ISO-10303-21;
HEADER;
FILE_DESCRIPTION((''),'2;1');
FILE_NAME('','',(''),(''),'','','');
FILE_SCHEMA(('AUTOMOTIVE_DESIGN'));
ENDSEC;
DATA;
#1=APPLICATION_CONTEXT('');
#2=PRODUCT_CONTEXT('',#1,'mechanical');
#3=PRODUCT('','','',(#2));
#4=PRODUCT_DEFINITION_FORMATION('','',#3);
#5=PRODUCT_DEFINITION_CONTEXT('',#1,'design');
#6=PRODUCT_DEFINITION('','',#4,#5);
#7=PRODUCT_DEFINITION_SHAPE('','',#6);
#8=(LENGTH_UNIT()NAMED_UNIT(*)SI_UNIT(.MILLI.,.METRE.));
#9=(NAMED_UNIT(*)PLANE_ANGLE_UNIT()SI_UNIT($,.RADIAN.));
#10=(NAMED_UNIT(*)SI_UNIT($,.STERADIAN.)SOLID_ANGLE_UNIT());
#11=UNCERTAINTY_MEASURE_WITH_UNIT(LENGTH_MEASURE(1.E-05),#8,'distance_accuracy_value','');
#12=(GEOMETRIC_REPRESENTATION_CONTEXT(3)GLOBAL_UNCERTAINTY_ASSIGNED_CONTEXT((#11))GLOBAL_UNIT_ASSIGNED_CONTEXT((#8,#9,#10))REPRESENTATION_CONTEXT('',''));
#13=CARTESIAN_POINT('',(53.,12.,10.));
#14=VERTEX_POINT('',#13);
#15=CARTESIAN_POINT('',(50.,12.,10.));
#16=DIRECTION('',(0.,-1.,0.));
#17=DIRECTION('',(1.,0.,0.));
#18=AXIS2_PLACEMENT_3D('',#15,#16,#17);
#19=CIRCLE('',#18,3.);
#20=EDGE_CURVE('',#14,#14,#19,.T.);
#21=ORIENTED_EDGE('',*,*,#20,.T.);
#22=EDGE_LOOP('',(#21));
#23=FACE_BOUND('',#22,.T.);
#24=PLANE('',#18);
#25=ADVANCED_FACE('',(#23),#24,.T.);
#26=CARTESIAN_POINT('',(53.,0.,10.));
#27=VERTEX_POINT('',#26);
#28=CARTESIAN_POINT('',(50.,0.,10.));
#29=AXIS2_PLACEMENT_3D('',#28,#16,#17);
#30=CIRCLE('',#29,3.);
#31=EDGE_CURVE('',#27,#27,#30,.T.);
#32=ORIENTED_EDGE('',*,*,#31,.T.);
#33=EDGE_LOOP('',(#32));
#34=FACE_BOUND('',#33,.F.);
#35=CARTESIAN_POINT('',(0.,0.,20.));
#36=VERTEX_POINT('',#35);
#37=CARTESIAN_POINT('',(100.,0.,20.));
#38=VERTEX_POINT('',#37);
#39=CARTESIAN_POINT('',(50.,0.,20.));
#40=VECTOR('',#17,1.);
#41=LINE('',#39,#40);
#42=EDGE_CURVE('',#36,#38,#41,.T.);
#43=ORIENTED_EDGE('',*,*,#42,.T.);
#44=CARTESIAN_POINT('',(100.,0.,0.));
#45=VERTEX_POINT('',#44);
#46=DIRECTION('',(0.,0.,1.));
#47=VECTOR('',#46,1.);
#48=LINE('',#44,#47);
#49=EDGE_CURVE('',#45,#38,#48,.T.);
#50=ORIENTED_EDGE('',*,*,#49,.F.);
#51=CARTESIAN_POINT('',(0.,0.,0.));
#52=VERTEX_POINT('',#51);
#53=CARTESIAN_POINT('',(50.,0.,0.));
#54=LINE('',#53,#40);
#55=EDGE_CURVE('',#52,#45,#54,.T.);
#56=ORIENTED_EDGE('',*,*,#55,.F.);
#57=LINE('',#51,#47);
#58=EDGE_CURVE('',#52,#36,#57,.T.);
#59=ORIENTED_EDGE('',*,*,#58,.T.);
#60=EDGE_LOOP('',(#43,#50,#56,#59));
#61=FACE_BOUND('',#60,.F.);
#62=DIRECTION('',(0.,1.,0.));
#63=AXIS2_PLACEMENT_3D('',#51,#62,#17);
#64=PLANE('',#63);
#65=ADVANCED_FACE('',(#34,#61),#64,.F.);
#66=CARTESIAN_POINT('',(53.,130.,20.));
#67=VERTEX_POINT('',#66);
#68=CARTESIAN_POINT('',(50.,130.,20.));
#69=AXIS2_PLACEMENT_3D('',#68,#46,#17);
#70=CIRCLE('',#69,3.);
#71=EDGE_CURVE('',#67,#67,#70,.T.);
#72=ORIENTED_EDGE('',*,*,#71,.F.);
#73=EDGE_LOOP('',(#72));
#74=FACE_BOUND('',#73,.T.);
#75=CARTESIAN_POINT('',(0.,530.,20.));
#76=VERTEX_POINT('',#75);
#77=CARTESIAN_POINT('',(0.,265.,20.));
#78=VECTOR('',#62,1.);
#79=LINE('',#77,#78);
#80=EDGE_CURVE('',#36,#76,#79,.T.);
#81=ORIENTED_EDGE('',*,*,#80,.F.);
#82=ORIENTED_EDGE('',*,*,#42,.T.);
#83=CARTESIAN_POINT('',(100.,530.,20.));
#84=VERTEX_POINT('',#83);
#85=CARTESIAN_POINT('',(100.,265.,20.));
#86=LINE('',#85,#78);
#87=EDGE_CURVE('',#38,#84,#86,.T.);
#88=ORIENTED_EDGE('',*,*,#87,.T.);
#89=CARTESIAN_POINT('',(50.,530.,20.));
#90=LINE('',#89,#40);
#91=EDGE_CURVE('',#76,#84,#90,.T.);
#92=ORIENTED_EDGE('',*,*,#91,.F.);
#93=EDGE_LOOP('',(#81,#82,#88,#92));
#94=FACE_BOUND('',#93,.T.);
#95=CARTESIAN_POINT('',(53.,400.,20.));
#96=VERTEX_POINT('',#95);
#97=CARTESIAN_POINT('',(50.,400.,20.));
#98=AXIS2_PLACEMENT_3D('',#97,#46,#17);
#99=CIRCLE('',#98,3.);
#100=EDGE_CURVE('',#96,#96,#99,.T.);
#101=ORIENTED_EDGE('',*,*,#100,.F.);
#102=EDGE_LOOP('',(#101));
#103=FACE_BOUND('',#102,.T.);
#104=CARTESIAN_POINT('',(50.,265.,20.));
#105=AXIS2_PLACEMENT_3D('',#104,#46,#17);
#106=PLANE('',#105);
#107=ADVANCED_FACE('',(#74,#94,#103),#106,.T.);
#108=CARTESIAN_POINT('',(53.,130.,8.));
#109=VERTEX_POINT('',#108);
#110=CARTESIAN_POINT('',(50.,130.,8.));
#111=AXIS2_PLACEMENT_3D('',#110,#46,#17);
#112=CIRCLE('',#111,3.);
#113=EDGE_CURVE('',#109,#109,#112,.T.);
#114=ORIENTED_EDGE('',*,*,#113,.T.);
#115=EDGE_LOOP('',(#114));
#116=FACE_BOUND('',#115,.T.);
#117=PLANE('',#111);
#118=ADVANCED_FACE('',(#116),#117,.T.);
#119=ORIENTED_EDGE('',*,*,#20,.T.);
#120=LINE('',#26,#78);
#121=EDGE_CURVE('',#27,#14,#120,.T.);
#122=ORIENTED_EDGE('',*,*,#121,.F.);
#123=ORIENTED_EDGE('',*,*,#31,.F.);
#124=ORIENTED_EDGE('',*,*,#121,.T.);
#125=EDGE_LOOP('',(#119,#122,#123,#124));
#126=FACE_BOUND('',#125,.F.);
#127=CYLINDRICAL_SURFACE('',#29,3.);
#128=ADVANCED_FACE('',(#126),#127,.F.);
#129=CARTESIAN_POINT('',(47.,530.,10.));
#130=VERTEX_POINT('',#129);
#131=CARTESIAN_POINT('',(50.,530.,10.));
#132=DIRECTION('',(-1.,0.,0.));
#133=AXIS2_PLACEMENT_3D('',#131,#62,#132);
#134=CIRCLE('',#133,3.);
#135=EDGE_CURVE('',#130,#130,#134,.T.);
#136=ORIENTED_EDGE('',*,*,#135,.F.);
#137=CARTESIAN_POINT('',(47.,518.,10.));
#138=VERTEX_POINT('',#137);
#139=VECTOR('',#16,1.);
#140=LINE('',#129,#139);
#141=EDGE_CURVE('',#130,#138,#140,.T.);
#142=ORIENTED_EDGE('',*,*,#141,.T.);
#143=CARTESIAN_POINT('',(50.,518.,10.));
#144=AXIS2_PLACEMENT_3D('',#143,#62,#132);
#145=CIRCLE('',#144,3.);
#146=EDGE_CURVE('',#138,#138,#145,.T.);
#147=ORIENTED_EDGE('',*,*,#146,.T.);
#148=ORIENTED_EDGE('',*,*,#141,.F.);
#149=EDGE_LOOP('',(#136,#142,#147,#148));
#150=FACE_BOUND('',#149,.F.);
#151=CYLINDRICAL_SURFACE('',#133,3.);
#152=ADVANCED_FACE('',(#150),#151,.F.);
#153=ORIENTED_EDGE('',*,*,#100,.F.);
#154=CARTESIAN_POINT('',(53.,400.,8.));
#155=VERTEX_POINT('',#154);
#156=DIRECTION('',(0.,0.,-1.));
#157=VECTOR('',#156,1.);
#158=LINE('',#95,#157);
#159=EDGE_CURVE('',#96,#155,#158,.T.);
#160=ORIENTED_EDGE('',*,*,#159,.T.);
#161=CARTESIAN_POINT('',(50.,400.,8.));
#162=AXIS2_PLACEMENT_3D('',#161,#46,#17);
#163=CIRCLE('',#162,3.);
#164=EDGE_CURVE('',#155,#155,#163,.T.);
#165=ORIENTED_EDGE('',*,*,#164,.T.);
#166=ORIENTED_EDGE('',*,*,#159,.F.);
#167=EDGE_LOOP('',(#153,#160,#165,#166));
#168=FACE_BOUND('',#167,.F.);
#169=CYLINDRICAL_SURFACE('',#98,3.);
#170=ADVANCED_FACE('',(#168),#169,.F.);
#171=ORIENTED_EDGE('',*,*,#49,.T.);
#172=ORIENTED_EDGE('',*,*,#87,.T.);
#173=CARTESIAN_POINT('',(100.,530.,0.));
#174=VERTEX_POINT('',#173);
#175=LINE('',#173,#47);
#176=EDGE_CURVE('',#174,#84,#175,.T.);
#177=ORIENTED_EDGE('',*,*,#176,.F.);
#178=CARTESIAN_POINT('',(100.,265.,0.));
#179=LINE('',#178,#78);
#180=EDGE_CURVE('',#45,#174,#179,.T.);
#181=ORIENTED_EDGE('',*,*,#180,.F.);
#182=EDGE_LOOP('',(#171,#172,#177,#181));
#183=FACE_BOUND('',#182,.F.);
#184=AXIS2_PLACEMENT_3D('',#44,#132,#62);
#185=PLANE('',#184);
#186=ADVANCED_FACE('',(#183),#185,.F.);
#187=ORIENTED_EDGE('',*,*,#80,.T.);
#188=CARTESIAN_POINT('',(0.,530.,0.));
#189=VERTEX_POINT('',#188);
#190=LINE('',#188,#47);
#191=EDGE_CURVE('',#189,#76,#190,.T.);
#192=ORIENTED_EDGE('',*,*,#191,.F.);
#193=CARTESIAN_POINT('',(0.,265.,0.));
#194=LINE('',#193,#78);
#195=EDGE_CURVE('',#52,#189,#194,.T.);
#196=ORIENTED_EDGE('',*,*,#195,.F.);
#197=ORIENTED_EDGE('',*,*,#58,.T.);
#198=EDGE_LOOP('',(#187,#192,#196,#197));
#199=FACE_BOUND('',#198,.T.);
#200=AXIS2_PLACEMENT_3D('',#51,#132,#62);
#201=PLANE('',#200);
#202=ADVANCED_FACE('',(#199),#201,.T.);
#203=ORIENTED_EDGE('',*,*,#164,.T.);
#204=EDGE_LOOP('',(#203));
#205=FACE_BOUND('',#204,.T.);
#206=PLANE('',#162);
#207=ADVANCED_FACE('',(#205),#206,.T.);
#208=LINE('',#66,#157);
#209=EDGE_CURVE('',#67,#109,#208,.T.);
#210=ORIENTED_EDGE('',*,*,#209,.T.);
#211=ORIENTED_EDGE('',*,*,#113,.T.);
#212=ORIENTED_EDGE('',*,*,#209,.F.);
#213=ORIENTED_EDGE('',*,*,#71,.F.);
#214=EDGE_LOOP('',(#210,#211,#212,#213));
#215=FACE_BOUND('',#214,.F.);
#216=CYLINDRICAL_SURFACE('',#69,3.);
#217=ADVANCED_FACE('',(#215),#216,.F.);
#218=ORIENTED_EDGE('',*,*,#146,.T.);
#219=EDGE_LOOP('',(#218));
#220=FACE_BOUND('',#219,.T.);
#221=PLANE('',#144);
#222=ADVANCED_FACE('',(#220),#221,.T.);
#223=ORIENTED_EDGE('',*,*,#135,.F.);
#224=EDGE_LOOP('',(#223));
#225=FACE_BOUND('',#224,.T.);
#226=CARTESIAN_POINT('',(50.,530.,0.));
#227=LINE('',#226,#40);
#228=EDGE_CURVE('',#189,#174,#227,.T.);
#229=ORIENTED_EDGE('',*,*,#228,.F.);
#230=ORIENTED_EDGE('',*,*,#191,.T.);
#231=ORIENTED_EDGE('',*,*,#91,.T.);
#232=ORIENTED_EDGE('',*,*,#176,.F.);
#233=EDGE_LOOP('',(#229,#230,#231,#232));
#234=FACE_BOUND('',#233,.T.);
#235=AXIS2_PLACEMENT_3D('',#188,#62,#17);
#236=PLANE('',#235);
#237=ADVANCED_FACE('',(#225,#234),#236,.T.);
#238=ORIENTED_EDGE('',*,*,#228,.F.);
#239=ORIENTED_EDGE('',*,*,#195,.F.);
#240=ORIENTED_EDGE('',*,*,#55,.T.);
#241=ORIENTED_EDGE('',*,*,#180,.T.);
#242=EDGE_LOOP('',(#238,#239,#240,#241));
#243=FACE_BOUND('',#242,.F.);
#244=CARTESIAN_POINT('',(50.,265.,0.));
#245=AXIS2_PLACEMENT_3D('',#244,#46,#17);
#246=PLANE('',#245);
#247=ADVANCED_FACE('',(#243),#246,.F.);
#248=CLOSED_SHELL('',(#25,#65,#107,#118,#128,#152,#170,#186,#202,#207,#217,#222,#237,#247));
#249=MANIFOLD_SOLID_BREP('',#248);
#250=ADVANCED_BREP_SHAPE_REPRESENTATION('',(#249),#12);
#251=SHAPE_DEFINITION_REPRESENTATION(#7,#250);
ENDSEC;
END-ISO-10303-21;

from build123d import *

# Parameters (mm, degrees)
F0_W     = 100
F0_H     = 530
F1_DEPTH = 20
F2_R     = 3
F3_DEPTH = 12
F4_R     = 3
F5_DEPTH = 12
F6_R     = 3
F7_DEPTH = 12
F8_R     = 3
F9_DEPTH = 12


with BuildPart() as f1:
    # F0 (on Top) → F1 (new body)
    with BuildSketch(Plane.XY):
        with Locations((50, 265)):
            Rectangle(F0_W, F0_H)
    extrude(amount=F1_DEPTH)

    # F2 (on face) → F3 (cut)
    with BuildSketch(Plane.XY.offset(20)):
        with Locations((50, 130)):
            Circle(F2_R)
    extrude(amount=-F3_DEPTH, mode=Mode.SUBTRACT)

    # F4 (on face) → F5 (cut)
    with BuildSketch(Plane.XZ):
        with Locations((50, 10)):
            Circle(F4_R)
    extrude(amount=-F5_DEPTH, mode=Mode.SUBTRACT)

    # F6 (on face) → F7 (cut)
    with BuildSketch(Plane(origin=(0, 530, 0), x_dir=(-1, 0, 0), z_dir=(0, 1, 0))):
        with Locations((-50, 10)):
            Circle(F6_R)
    extrude(amount=-F7_DEPTH, mode=Mode.SUBTRACT)

    # F8 (on face) → F9 (cut)
    with BuildSketch(Plane.XY.offset(20)):
        with Locations((50, 400)):
            Circle(F8_R)
    extrude(amount=-F9_DEPTH, mode=Mode.SUBTRACT)


solid = f1.part
